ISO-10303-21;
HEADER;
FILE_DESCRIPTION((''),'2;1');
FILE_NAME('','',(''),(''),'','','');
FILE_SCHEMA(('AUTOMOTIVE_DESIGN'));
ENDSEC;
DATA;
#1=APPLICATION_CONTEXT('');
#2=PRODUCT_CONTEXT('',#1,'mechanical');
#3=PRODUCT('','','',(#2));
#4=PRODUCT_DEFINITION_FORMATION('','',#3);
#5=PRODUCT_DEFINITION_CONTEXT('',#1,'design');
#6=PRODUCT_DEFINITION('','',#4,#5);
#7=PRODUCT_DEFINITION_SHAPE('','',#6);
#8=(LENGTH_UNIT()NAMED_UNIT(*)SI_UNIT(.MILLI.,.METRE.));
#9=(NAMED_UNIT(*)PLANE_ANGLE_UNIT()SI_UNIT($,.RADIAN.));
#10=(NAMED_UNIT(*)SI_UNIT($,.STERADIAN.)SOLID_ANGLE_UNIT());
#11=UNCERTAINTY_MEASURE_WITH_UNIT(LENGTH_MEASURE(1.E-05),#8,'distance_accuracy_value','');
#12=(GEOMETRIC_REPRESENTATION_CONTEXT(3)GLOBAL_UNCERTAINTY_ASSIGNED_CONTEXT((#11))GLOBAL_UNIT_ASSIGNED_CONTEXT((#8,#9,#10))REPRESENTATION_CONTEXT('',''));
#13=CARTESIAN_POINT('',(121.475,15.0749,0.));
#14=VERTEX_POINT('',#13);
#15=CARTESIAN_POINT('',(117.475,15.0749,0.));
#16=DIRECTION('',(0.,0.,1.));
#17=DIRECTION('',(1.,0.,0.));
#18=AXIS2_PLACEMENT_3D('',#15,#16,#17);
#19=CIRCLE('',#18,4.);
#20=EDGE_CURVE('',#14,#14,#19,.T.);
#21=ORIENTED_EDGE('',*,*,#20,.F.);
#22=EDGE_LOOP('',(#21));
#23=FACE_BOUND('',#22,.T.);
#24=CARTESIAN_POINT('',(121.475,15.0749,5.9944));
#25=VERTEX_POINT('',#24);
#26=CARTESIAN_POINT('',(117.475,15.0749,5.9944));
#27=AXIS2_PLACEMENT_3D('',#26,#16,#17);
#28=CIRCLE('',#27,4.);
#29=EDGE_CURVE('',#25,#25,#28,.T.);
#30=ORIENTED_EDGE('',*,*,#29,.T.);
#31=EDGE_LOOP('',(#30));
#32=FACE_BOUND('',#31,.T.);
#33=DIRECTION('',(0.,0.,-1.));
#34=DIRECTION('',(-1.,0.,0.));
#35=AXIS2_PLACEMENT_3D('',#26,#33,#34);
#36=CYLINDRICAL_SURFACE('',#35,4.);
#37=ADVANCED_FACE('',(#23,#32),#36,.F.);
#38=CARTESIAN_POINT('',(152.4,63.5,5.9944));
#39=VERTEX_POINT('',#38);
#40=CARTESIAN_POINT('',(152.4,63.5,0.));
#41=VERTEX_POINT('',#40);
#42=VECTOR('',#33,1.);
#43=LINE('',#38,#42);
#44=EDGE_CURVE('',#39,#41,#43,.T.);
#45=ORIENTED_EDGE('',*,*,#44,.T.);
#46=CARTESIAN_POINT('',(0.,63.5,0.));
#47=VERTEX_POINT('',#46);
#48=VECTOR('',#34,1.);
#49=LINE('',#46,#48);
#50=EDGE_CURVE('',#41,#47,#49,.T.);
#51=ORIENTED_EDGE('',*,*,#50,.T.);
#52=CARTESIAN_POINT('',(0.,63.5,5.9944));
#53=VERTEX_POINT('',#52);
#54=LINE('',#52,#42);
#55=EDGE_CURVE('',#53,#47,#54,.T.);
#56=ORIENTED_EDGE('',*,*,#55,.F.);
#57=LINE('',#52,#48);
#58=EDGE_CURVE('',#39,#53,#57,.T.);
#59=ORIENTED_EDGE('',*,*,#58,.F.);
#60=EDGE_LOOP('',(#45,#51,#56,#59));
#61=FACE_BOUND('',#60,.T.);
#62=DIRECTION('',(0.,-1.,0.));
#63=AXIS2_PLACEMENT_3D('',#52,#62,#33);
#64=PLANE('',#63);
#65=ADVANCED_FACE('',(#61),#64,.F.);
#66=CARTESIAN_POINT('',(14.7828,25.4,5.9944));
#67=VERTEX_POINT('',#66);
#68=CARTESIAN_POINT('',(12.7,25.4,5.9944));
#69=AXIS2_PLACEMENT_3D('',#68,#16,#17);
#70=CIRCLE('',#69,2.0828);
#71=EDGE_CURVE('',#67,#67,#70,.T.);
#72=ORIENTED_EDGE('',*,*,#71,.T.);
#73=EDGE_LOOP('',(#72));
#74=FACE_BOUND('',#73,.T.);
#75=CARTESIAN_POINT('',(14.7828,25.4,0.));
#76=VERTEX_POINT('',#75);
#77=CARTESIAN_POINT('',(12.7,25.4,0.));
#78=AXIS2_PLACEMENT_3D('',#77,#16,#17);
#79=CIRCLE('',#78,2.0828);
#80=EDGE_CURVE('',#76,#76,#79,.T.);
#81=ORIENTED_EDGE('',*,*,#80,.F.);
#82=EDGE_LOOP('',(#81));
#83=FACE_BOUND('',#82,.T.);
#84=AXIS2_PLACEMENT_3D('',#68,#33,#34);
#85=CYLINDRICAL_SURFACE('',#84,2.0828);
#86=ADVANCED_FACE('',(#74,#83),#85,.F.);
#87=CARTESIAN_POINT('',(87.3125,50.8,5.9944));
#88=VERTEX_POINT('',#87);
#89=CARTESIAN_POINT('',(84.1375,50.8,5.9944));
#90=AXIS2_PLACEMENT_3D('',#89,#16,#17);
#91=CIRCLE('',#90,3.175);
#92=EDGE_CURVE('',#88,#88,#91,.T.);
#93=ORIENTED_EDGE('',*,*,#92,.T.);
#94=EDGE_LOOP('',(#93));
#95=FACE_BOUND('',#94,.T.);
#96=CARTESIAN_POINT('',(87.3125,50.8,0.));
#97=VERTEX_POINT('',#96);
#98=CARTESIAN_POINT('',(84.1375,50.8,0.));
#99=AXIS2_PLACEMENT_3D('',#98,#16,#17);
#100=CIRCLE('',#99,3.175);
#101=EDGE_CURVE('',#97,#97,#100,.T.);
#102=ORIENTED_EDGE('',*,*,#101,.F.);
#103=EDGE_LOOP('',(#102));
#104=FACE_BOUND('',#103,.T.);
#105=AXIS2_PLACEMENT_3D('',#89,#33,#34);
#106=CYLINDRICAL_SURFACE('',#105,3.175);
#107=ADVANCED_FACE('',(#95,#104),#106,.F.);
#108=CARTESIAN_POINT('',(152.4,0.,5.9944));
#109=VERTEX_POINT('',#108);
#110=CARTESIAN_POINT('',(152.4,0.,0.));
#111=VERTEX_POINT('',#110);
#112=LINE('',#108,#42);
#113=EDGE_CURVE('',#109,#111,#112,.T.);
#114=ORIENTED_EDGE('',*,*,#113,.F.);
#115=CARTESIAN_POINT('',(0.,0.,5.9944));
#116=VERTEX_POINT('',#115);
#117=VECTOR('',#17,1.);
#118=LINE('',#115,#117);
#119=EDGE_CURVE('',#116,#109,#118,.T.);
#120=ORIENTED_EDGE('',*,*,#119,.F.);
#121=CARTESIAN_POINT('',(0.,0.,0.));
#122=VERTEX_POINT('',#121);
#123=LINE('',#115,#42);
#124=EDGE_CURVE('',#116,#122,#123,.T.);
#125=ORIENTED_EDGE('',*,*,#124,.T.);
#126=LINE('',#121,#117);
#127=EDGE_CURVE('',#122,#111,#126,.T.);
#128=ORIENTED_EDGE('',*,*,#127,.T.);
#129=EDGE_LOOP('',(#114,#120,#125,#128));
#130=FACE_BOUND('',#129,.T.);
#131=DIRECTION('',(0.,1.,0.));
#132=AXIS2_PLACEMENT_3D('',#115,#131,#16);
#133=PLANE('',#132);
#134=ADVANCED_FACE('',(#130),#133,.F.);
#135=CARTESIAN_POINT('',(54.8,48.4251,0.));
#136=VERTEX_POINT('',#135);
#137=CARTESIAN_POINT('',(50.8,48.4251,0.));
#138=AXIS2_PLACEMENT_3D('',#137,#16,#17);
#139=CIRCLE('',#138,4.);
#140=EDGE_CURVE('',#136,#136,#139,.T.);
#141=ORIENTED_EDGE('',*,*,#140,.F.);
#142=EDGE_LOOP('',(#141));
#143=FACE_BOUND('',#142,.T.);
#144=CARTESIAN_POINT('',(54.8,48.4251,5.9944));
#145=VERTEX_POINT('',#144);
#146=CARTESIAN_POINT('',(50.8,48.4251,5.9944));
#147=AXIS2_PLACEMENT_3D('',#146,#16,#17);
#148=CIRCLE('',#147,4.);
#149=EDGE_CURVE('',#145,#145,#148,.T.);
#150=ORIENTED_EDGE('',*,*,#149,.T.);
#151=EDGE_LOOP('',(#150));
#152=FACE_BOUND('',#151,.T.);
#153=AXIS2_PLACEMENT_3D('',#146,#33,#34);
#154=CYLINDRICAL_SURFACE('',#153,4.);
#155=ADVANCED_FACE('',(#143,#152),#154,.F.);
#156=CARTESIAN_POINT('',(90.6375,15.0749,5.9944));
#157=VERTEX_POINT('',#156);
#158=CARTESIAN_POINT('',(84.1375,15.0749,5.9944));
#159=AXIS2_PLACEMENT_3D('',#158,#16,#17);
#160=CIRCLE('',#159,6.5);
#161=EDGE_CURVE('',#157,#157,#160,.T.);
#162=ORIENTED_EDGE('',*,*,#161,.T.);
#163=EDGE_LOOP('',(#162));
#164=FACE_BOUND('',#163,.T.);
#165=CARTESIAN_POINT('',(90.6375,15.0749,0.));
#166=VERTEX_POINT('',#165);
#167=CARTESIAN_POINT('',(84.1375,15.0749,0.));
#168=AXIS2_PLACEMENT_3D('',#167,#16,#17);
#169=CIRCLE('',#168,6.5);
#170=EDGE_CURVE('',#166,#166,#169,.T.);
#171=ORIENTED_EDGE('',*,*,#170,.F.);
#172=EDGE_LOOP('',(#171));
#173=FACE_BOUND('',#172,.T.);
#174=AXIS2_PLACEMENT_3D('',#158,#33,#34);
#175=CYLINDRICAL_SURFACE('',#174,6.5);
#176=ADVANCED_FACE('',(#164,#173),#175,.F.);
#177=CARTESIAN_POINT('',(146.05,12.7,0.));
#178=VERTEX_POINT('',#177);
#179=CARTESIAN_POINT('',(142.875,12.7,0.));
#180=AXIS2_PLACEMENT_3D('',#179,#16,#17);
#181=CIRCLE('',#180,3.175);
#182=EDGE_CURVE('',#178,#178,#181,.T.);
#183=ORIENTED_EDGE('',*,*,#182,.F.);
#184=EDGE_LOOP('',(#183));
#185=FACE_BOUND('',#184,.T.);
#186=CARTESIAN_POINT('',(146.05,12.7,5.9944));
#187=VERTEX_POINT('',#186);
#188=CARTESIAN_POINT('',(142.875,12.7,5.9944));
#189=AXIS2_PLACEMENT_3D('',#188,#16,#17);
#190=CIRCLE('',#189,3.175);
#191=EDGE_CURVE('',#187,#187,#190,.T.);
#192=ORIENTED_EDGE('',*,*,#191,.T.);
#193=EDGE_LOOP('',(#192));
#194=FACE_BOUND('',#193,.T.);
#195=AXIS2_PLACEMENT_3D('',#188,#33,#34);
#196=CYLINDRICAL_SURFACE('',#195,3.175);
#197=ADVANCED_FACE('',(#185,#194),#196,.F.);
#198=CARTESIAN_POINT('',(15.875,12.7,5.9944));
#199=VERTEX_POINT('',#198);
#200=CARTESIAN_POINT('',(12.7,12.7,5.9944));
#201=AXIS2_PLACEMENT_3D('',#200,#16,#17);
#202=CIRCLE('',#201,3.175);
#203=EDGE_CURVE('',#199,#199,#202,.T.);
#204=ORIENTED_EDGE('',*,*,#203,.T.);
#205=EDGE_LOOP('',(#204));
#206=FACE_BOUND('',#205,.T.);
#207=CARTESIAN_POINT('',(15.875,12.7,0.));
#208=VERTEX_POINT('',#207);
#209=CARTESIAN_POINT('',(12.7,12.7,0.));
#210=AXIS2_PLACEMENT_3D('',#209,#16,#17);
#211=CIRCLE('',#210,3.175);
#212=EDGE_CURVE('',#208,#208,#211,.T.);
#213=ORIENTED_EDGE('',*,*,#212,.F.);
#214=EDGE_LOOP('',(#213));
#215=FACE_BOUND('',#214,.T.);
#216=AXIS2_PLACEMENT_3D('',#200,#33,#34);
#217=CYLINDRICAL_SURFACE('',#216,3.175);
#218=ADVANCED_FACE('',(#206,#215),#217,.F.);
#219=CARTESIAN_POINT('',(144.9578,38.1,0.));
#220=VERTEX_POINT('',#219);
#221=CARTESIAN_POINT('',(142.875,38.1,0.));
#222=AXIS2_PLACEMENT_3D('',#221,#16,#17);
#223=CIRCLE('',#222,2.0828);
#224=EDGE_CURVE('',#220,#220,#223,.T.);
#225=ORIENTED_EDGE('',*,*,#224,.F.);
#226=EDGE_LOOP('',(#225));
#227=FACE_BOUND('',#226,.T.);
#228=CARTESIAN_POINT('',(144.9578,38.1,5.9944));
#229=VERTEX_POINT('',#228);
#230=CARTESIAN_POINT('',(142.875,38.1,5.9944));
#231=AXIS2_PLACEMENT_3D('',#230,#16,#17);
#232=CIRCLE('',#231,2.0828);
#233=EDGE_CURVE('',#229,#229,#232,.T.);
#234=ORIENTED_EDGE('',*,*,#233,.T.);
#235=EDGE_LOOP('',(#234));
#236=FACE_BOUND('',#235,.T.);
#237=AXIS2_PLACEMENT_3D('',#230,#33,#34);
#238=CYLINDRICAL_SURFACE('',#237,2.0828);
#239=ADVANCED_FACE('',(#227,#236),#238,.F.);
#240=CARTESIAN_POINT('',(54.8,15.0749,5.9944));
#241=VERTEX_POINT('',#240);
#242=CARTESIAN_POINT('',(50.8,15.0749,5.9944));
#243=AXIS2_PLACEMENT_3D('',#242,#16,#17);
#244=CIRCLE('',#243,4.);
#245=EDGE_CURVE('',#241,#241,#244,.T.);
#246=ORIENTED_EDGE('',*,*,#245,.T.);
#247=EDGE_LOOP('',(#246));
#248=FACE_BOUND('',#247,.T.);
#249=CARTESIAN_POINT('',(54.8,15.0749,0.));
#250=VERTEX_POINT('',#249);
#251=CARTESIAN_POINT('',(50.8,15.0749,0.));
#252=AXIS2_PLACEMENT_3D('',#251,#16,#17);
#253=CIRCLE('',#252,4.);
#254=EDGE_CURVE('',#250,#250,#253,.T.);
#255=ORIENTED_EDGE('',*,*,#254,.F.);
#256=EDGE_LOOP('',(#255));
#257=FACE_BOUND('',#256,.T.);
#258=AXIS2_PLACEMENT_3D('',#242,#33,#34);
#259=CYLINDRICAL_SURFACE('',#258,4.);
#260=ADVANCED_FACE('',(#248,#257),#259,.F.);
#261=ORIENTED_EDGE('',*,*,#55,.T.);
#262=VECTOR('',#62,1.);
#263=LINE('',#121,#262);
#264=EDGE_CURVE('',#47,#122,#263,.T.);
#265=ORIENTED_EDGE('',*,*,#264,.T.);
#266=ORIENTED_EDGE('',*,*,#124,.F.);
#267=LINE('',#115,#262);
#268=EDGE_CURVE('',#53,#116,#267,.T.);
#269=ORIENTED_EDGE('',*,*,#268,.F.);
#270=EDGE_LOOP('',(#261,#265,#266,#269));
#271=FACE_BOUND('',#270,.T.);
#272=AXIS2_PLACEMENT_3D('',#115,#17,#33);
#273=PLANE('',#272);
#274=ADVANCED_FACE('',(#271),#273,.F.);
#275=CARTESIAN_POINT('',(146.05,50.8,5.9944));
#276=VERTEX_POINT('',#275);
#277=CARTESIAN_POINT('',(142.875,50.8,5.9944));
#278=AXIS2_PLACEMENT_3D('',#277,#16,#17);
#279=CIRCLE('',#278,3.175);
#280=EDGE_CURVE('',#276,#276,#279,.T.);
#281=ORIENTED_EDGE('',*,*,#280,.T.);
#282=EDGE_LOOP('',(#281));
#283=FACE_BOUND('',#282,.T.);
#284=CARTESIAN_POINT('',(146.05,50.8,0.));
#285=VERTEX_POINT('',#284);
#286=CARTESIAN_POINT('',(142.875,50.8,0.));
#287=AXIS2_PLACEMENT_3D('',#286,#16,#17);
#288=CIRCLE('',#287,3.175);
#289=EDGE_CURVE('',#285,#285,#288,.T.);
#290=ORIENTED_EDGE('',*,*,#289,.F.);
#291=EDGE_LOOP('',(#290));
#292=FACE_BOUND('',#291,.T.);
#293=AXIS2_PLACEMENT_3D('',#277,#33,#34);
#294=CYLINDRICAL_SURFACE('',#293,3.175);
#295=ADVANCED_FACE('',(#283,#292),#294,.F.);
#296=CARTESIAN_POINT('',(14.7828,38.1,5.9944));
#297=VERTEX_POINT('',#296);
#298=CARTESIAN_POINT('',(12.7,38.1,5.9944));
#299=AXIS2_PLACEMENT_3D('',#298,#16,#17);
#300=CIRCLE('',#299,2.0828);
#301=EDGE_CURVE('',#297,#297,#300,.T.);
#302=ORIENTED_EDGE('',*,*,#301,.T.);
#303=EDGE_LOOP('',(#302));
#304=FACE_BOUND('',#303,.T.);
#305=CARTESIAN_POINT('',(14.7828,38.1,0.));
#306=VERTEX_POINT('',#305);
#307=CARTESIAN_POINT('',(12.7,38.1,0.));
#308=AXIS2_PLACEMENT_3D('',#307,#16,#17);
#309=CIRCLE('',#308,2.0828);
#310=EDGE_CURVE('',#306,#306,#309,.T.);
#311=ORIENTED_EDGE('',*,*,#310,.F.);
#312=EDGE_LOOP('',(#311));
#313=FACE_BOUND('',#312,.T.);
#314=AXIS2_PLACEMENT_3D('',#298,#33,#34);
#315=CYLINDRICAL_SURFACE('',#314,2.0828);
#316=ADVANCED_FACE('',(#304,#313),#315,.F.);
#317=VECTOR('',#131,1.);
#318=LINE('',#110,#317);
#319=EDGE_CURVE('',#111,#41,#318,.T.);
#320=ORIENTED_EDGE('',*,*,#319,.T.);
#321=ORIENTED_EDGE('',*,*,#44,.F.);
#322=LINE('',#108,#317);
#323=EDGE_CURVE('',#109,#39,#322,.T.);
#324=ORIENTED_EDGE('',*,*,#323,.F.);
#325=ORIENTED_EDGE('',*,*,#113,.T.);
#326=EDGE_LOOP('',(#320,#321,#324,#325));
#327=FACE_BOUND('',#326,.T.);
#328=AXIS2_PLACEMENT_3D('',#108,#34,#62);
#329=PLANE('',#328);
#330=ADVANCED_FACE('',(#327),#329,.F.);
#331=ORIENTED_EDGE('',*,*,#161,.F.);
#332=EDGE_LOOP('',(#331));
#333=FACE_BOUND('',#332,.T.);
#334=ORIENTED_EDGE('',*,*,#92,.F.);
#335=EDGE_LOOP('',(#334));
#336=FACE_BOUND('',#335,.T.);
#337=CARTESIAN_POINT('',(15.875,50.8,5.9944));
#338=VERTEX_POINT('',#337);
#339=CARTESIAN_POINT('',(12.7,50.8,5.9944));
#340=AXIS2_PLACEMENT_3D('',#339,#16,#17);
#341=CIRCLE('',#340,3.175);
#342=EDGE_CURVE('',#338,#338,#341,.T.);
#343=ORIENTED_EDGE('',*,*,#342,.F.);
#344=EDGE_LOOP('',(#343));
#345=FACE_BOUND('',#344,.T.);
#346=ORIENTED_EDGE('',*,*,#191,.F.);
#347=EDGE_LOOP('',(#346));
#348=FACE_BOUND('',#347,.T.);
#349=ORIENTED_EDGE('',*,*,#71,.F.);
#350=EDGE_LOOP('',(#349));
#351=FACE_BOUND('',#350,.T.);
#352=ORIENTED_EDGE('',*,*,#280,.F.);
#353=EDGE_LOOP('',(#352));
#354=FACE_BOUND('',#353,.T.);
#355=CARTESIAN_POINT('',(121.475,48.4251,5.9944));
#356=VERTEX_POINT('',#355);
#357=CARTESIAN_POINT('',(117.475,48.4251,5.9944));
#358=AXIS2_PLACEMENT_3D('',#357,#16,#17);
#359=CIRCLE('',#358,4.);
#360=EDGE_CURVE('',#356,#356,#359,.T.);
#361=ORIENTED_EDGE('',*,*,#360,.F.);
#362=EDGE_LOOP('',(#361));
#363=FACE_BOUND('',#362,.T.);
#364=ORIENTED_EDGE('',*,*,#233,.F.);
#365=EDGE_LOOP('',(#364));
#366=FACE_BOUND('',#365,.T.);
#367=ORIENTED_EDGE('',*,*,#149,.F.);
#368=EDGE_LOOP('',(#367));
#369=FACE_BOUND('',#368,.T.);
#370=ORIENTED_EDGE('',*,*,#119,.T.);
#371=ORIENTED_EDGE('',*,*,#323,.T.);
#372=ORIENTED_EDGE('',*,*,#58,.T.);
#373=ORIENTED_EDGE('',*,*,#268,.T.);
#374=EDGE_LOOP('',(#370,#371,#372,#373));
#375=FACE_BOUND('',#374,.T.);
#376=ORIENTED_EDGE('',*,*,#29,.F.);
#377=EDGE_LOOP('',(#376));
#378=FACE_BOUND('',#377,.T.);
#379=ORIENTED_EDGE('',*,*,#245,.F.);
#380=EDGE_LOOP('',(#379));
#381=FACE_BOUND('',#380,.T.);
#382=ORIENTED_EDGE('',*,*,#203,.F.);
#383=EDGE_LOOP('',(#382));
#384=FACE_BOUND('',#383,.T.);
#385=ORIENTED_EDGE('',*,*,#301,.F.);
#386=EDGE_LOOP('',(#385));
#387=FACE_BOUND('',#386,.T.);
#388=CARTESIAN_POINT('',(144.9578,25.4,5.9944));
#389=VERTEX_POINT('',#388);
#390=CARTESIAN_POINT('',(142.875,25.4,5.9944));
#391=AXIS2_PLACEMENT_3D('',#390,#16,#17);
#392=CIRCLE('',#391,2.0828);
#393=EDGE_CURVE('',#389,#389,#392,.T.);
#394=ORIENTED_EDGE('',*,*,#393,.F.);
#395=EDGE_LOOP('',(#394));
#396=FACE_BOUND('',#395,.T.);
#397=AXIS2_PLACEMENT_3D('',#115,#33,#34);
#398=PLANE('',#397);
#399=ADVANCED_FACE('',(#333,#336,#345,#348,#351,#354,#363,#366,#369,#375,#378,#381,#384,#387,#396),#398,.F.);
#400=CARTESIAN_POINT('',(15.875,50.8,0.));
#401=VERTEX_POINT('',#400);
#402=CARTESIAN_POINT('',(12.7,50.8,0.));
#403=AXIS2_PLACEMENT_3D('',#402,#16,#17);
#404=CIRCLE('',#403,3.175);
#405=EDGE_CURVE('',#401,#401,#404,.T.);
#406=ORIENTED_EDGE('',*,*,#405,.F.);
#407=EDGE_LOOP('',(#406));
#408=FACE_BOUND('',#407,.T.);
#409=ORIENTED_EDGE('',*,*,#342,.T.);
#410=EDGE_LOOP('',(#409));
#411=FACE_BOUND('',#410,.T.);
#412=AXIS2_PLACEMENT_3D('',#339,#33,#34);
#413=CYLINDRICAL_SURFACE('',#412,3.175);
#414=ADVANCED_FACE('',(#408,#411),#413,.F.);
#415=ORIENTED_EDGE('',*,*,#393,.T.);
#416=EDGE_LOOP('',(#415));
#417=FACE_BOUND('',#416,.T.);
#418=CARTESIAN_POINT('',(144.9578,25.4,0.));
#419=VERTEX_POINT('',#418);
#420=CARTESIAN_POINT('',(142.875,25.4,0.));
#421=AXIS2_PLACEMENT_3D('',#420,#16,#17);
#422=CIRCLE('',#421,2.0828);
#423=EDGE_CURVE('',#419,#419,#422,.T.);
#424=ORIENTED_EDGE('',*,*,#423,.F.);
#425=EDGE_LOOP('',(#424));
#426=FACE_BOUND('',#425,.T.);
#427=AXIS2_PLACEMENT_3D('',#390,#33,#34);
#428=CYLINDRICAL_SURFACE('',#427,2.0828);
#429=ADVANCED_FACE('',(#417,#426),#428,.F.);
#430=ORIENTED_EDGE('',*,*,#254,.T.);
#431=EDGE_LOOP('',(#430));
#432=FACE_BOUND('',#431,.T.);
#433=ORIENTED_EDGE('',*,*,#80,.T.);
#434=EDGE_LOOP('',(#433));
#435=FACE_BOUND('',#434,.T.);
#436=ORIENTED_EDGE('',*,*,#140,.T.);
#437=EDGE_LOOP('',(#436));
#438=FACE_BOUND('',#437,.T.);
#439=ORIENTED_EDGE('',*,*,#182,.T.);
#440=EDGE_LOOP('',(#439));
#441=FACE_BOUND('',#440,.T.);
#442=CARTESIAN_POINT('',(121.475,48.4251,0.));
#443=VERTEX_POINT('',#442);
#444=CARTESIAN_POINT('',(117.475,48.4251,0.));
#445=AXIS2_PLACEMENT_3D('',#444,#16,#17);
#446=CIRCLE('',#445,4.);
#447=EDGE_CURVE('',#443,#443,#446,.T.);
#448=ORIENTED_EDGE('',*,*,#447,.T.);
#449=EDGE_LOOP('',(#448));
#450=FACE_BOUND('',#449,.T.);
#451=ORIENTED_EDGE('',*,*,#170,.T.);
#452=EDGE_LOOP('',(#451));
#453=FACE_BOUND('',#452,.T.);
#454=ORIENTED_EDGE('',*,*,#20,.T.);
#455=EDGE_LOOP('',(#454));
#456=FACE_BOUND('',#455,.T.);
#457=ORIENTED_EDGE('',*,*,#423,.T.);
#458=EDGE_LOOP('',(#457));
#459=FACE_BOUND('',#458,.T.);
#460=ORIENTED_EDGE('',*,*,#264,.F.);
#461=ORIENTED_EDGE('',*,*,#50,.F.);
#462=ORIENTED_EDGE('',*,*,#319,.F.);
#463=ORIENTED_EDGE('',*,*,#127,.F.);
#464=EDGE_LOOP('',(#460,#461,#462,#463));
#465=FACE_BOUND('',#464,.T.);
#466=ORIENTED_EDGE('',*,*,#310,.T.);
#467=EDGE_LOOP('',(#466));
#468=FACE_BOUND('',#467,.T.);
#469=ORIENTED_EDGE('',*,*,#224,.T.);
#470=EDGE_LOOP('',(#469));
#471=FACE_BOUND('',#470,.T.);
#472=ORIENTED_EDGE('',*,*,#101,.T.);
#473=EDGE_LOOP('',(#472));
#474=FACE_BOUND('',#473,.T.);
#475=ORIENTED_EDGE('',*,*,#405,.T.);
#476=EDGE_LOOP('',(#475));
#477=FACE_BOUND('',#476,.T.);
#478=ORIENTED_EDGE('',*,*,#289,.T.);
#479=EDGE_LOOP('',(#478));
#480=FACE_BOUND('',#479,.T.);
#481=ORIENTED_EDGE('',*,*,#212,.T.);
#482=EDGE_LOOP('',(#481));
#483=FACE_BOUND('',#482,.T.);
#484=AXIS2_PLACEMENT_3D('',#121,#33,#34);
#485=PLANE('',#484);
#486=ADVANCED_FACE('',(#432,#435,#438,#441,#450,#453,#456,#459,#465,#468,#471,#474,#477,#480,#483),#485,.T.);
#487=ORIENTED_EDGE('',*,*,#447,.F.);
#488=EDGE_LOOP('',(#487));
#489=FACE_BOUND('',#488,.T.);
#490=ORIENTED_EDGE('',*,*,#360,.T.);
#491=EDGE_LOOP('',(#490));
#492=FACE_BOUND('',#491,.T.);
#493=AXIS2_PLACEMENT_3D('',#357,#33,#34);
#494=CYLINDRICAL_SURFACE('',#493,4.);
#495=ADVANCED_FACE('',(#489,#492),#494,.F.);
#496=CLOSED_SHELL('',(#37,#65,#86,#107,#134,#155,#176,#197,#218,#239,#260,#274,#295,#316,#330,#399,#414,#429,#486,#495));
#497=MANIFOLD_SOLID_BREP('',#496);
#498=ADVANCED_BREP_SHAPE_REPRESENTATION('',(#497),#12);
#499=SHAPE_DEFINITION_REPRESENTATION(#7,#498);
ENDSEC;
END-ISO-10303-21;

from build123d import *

# Parameters (mm, degrees)
SKETCH1_W           = 152.4
SKETCH1_H           = 63.5
SKETCH1_R           = 6.5
SKETCH1_R_2         = 2.0828
SKETCH1_R_3         = 4
SKETCH1_R_4         = 3.175
BOSS_EXTRUDE1_DEPTH = 5.9944


with BuildPart() as part:
    # Sketch1 → Boss-Extrude1 (new body)
    with BuildSketch(Plane.XY):
        with Locations((76.2, 31.75)):
            Rectangle(SKETCH1_W, SKETCH1_H)
        with Locations((84.1375, 15.0749)):
            Circle(SKETCH1_R, mode=Mode.SUBTRACT)
        with Locations((12.7, 38.1)):
            Circle(SKETCH1_R_2, mode=Mode.SUBTRACT)
        with Locations((12.7, 25.4)):
            Circle(SKETCH1_R_2, mode=Mode.SUBTRACT)
        with Locations((142.875, 38.1)):
            Circle(SKETCH1_R_2, mode=Mode.SUBTRACT)
        with Locations((142.875, 25.4)):
            Circle(SKETCH1_R_2, mode=Mode.SUBTRACT)
        with Locations((50.8, 48.4251)):
            Circle(SKETCH1_R_3, mode=Mode.SUBTRACT)
        with Locations((12.7, 50.8)):
            Circle(SKETCH1_R_4, mode=Mode.SUBTRACT)
        with Locations((12.7, 12.7)):
            Circle(SKETCH1_R_4, mode=Mode.SUBTRACT)
        with Locations((117.475, 48.4251)):
            Circle(SKETCH1_R_3, mode=Mode.SUBTRACT)
        with Locations((117.475, 15.0749)):
            Circle(SKETCH1_R_3, mode=Mode.SUBTRACT)
        with Locations((50.8, 15.0749)):
            Circle(SKETCH1_R_3, mode=Mode.SUBTRACT)
        with Locations((142.875, 50.8)):
            Circle(SKETCH1_R_4, mode=Mode.SUBTRACT)
        with Locations((142.875, 12.7)):
            Circle(SKETCH1_R_4, mode=Mode.SUBTRACT)
        with Locations((84.1375, 50.8)):
            Circle(SKETCH1_R_4, mode=Mode.SUBTRACT)
    extrude(amount=BOSS_EXTRUDE1_DEPTH)


solid = part.part
